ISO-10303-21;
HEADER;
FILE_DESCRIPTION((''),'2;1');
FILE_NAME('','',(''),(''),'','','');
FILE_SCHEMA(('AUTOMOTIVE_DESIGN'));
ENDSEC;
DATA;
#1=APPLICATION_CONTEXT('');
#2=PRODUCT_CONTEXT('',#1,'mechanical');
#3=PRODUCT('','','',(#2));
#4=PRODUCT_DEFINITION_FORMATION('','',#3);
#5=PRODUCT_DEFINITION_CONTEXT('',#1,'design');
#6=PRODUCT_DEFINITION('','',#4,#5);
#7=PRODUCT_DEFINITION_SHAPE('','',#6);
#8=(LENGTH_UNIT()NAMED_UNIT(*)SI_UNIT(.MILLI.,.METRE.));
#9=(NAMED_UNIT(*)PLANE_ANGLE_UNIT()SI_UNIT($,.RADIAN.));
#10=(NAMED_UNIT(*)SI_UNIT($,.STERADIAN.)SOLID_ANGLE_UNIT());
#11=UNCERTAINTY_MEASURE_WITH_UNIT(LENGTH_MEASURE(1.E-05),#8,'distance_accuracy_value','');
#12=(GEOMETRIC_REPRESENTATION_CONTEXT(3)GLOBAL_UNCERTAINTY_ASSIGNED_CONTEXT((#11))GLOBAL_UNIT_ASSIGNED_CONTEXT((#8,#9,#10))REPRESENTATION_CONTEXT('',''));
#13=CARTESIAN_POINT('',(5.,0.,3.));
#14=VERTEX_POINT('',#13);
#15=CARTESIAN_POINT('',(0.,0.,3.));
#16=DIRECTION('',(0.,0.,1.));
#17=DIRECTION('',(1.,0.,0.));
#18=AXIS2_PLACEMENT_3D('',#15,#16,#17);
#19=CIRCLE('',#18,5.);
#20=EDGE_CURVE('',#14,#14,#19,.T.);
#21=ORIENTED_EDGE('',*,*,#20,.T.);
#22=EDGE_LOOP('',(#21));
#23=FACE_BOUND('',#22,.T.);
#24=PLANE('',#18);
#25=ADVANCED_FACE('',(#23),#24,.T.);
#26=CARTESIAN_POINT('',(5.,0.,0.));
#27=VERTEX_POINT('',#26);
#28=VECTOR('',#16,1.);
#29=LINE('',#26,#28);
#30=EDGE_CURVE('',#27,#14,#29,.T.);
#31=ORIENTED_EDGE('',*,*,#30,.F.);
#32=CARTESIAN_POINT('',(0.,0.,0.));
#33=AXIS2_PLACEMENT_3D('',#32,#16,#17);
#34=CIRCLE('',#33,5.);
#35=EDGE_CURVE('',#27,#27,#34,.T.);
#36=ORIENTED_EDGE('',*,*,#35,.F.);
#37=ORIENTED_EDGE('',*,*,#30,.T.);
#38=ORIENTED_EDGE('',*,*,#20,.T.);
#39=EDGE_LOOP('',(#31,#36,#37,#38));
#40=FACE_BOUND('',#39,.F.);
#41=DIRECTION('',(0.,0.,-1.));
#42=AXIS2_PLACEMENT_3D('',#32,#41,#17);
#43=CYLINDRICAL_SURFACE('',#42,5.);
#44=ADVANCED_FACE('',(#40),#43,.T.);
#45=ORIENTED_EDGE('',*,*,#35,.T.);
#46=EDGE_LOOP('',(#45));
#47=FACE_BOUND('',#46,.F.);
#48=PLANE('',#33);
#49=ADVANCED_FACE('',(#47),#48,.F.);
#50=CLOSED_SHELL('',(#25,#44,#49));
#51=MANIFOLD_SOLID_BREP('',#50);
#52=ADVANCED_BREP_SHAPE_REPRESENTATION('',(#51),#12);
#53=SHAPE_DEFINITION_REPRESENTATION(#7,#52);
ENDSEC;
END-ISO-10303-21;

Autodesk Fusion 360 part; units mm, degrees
sketch "Sketch1" plane through (0, 0, 0) normal (0, 0, 1) x (1, 0, 0)
  circle A0 centre (0, 0) radius 5
  dimension "d1" = 10
extrude "Extrude1" add sketch "Sketch1" along normal blind 3
